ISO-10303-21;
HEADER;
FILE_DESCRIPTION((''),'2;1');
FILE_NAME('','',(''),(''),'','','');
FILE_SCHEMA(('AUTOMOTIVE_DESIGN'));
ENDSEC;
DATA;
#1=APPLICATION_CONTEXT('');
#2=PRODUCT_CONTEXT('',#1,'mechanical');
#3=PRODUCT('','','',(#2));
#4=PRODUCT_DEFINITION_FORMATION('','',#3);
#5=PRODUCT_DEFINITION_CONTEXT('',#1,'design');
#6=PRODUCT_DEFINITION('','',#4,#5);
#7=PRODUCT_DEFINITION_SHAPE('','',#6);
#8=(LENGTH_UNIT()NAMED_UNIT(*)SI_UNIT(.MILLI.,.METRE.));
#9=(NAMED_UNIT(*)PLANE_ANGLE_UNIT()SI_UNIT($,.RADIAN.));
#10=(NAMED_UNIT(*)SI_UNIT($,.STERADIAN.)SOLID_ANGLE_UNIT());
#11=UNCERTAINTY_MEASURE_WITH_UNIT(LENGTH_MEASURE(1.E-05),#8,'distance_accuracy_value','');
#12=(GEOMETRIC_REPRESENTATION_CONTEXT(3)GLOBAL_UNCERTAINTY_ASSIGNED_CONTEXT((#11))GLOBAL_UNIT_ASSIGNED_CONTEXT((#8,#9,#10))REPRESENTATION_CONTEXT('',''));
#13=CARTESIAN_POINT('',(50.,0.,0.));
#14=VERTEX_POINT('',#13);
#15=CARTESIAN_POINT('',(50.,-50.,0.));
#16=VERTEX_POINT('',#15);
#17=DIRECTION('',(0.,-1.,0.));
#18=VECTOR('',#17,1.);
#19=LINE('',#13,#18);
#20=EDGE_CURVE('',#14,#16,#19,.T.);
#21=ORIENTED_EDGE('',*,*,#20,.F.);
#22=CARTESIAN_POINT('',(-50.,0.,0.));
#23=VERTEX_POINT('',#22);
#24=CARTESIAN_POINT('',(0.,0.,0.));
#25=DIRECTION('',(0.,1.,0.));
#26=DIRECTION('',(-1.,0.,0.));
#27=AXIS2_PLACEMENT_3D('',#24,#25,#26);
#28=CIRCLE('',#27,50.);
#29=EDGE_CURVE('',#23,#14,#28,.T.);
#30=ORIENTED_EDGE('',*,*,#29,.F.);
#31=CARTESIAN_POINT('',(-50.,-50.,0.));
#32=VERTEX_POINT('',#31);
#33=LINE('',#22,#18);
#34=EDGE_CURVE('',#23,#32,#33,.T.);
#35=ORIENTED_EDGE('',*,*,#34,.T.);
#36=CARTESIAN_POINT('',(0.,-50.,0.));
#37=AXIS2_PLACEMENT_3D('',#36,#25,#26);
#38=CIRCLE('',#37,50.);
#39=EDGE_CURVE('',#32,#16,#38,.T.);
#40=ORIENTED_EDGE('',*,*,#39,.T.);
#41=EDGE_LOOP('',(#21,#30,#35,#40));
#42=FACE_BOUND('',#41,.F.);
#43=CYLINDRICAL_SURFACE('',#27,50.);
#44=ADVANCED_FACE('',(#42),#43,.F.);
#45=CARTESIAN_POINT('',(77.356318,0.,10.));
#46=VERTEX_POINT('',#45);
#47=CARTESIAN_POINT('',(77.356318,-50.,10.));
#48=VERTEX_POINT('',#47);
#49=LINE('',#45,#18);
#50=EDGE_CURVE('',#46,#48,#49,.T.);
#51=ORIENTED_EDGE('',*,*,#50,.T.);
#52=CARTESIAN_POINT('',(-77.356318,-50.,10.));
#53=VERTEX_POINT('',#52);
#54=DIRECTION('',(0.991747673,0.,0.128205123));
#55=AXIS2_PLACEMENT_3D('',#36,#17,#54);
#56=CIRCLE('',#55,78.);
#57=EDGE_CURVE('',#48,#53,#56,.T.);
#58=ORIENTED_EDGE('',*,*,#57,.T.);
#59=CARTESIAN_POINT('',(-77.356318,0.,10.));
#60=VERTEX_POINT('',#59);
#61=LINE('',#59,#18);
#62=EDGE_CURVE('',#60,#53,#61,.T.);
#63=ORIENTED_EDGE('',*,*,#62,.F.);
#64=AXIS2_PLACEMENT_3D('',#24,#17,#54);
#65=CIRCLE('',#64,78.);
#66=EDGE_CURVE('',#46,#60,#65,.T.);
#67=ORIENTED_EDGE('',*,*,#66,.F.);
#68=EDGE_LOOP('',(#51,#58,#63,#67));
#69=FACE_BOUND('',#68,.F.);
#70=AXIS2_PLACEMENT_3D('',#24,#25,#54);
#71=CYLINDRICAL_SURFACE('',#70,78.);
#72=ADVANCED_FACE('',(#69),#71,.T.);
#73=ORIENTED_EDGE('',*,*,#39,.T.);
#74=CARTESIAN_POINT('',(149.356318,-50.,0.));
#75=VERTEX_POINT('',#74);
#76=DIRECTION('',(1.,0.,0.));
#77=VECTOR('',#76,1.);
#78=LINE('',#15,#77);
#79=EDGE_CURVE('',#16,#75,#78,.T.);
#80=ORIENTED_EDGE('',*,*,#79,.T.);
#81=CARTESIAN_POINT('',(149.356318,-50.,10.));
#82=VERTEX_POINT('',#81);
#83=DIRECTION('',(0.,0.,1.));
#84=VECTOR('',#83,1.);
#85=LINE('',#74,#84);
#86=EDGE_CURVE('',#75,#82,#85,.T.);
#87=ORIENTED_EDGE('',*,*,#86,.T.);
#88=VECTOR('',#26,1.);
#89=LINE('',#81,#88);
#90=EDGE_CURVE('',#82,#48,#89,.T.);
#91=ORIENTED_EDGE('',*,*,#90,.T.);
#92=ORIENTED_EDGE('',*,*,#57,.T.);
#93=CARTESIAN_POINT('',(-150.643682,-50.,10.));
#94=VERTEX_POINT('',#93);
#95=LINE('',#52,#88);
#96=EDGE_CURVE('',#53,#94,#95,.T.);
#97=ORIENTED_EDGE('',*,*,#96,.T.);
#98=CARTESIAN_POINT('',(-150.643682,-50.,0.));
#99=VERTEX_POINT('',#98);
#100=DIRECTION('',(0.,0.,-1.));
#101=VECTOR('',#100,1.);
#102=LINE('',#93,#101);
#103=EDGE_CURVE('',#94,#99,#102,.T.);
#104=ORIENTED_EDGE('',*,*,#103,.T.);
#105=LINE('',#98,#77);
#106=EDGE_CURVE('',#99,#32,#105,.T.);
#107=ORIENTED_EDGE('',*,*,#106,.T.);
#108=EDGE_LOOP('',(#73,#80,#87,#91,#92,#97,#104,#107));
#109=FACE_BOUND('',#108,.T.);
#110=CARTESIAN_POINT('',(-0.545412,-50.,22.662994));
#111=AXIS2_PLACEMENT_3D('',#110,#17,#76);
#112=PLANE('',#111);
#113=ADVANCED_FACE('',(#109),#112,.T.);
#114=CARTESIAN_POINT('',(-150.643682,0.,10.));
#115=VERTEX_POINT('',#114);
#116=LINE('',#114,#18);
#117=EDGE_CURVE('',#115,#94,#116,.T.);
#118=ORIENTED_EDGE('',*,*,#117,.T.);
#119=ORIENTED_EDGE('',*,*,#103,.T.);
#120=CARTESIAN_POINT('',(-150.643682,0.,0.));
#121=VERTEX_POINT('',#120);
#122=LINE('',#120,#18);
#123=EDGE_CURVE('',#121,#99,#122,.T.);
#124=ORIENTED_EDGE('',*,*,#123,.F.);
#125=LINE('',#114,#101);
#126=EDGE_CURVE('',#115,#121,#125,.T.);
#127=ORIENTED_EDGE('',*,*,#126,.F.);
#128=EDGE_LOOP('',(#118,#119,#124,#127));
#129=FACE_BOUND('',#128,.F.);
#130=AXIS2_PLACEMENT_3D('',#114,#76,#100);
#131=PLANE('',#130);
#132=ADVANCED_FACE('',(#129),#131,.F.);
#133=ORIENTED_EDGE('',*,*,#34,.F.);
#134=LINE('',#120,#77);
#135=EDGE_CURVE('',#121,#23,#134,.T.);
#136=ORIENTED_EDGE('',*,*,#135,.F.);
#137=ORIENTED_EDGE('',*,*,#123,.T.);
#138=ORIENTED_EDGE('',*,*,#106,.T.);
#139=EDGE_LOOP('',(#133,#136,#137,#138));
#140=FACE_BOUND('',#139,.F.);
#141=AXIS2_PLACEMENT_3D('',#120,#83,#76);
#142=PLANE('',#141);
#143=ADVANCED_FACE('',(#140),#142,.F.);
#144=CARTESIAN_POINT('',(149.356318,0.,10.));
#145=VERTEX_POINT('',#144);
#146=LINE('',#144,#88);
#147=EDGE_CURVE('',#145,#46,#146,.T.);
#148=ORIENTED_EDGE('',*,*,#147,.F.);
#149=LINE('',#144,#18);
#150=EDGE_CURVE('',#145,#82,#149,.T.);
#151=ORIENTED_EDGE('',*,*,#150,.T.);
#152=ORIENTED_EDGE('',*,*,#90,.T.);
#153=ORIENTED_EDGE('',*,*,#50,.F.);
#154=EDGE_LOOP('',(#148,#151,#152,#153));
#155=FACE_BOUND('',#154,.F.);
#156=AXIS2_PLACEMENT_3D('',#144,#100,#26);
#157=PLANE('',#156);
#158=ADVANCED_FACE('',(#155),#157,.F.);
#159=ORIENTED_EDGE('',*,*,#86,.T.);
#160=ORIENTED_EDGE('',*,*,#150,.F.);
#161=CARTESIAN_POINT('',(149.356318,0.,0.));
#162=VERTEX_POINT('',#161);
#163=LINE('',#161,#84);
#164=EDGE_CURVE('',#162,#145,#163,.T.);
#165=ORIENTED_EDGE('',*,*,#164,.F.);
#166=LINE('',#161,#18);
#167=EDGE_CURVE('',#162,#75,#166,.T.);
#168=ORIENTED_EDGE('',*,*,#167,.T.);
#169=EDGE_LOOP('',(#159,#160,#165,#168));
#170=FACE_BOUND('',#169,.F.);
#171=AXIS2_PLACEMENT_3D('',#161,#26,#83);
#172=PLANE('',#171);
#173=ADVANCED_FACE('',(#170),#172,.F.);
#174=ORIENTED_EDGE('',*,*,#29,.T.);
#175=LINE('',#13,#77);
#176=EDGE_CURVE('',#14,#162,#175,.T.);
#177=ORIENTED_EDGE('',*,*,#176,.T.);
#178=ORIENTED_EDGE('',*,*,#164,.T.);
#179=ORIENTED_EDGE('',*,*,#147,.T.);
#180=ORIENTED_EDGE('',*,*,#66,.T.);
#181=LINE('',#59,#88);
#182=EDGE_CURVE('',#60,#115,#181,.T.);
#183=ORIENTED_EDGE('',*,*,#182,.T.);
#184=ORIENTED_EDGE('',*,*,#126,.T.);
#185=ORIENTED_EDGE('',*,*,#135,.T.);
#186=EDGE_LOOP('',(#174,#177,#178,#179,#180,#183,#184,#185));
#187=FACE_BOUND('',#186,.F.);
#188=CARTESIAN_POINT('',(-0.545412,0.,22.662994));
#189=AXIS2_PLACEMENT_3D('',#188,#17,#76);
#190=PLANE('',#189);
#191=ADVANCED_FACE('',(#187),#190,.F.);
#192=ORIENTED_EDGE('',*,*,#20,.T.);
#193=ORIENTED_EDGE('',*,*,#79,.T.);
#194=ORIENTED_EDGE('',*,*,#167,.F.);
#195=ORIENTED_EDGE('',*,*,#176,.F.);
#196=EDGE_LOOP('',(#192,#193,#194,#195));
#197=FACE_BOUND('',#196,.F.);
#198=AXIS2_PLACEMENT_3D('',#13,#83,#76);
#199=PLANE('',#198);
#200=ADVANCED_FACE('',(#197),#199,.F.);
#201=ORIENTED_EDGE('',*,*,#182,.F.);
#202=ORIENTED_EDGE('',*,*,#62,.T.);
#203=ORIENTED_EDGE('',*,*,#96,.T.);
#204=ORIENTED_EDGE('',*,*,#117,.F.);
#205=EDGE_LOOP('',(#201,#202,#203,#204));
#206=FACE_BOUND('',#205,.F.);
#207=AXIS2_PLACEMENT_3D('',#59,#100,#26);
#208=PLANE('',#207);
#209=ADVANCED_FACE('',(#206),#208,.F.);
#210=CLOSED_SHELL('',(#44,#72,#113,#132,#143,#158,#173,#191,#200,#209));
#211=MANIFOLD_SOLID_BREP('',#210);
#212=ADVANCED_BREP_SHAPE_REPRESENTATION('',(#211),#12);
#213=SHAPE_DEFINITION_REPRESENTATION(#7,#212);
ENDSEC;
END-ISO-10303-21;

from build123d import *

# Parameters (mm, degrees)
F1_DEPTH = 50


with BuildPart() as f1:
    # F0 (on Front) → F1 (new body)
    with BuildSketch(Plane.XZ):
        with BuildLine():
            Line((-78, 0), (-50, 0))
            ThreePointArc((-50, 0), (0, 50), (50, 0))
            Line((50, 0), (149.356318, 0))
            Line((149.356318, 0), (149.356318, 10))
            Line((149.356318, 10), (77.356318, 10))
            ThreePointArc((77.356318, 10), (0, 78), (-77.356318, 10))
            Line((-77.356318, 10), (-150.643682, 10))
            Line((-150.643682, 10), (-150.643682, 0))
            Line((-150.643682, 0), (-78, 0))
        make_face()
    extrude(amount=F1_DEPTH)


solid = f1.part
